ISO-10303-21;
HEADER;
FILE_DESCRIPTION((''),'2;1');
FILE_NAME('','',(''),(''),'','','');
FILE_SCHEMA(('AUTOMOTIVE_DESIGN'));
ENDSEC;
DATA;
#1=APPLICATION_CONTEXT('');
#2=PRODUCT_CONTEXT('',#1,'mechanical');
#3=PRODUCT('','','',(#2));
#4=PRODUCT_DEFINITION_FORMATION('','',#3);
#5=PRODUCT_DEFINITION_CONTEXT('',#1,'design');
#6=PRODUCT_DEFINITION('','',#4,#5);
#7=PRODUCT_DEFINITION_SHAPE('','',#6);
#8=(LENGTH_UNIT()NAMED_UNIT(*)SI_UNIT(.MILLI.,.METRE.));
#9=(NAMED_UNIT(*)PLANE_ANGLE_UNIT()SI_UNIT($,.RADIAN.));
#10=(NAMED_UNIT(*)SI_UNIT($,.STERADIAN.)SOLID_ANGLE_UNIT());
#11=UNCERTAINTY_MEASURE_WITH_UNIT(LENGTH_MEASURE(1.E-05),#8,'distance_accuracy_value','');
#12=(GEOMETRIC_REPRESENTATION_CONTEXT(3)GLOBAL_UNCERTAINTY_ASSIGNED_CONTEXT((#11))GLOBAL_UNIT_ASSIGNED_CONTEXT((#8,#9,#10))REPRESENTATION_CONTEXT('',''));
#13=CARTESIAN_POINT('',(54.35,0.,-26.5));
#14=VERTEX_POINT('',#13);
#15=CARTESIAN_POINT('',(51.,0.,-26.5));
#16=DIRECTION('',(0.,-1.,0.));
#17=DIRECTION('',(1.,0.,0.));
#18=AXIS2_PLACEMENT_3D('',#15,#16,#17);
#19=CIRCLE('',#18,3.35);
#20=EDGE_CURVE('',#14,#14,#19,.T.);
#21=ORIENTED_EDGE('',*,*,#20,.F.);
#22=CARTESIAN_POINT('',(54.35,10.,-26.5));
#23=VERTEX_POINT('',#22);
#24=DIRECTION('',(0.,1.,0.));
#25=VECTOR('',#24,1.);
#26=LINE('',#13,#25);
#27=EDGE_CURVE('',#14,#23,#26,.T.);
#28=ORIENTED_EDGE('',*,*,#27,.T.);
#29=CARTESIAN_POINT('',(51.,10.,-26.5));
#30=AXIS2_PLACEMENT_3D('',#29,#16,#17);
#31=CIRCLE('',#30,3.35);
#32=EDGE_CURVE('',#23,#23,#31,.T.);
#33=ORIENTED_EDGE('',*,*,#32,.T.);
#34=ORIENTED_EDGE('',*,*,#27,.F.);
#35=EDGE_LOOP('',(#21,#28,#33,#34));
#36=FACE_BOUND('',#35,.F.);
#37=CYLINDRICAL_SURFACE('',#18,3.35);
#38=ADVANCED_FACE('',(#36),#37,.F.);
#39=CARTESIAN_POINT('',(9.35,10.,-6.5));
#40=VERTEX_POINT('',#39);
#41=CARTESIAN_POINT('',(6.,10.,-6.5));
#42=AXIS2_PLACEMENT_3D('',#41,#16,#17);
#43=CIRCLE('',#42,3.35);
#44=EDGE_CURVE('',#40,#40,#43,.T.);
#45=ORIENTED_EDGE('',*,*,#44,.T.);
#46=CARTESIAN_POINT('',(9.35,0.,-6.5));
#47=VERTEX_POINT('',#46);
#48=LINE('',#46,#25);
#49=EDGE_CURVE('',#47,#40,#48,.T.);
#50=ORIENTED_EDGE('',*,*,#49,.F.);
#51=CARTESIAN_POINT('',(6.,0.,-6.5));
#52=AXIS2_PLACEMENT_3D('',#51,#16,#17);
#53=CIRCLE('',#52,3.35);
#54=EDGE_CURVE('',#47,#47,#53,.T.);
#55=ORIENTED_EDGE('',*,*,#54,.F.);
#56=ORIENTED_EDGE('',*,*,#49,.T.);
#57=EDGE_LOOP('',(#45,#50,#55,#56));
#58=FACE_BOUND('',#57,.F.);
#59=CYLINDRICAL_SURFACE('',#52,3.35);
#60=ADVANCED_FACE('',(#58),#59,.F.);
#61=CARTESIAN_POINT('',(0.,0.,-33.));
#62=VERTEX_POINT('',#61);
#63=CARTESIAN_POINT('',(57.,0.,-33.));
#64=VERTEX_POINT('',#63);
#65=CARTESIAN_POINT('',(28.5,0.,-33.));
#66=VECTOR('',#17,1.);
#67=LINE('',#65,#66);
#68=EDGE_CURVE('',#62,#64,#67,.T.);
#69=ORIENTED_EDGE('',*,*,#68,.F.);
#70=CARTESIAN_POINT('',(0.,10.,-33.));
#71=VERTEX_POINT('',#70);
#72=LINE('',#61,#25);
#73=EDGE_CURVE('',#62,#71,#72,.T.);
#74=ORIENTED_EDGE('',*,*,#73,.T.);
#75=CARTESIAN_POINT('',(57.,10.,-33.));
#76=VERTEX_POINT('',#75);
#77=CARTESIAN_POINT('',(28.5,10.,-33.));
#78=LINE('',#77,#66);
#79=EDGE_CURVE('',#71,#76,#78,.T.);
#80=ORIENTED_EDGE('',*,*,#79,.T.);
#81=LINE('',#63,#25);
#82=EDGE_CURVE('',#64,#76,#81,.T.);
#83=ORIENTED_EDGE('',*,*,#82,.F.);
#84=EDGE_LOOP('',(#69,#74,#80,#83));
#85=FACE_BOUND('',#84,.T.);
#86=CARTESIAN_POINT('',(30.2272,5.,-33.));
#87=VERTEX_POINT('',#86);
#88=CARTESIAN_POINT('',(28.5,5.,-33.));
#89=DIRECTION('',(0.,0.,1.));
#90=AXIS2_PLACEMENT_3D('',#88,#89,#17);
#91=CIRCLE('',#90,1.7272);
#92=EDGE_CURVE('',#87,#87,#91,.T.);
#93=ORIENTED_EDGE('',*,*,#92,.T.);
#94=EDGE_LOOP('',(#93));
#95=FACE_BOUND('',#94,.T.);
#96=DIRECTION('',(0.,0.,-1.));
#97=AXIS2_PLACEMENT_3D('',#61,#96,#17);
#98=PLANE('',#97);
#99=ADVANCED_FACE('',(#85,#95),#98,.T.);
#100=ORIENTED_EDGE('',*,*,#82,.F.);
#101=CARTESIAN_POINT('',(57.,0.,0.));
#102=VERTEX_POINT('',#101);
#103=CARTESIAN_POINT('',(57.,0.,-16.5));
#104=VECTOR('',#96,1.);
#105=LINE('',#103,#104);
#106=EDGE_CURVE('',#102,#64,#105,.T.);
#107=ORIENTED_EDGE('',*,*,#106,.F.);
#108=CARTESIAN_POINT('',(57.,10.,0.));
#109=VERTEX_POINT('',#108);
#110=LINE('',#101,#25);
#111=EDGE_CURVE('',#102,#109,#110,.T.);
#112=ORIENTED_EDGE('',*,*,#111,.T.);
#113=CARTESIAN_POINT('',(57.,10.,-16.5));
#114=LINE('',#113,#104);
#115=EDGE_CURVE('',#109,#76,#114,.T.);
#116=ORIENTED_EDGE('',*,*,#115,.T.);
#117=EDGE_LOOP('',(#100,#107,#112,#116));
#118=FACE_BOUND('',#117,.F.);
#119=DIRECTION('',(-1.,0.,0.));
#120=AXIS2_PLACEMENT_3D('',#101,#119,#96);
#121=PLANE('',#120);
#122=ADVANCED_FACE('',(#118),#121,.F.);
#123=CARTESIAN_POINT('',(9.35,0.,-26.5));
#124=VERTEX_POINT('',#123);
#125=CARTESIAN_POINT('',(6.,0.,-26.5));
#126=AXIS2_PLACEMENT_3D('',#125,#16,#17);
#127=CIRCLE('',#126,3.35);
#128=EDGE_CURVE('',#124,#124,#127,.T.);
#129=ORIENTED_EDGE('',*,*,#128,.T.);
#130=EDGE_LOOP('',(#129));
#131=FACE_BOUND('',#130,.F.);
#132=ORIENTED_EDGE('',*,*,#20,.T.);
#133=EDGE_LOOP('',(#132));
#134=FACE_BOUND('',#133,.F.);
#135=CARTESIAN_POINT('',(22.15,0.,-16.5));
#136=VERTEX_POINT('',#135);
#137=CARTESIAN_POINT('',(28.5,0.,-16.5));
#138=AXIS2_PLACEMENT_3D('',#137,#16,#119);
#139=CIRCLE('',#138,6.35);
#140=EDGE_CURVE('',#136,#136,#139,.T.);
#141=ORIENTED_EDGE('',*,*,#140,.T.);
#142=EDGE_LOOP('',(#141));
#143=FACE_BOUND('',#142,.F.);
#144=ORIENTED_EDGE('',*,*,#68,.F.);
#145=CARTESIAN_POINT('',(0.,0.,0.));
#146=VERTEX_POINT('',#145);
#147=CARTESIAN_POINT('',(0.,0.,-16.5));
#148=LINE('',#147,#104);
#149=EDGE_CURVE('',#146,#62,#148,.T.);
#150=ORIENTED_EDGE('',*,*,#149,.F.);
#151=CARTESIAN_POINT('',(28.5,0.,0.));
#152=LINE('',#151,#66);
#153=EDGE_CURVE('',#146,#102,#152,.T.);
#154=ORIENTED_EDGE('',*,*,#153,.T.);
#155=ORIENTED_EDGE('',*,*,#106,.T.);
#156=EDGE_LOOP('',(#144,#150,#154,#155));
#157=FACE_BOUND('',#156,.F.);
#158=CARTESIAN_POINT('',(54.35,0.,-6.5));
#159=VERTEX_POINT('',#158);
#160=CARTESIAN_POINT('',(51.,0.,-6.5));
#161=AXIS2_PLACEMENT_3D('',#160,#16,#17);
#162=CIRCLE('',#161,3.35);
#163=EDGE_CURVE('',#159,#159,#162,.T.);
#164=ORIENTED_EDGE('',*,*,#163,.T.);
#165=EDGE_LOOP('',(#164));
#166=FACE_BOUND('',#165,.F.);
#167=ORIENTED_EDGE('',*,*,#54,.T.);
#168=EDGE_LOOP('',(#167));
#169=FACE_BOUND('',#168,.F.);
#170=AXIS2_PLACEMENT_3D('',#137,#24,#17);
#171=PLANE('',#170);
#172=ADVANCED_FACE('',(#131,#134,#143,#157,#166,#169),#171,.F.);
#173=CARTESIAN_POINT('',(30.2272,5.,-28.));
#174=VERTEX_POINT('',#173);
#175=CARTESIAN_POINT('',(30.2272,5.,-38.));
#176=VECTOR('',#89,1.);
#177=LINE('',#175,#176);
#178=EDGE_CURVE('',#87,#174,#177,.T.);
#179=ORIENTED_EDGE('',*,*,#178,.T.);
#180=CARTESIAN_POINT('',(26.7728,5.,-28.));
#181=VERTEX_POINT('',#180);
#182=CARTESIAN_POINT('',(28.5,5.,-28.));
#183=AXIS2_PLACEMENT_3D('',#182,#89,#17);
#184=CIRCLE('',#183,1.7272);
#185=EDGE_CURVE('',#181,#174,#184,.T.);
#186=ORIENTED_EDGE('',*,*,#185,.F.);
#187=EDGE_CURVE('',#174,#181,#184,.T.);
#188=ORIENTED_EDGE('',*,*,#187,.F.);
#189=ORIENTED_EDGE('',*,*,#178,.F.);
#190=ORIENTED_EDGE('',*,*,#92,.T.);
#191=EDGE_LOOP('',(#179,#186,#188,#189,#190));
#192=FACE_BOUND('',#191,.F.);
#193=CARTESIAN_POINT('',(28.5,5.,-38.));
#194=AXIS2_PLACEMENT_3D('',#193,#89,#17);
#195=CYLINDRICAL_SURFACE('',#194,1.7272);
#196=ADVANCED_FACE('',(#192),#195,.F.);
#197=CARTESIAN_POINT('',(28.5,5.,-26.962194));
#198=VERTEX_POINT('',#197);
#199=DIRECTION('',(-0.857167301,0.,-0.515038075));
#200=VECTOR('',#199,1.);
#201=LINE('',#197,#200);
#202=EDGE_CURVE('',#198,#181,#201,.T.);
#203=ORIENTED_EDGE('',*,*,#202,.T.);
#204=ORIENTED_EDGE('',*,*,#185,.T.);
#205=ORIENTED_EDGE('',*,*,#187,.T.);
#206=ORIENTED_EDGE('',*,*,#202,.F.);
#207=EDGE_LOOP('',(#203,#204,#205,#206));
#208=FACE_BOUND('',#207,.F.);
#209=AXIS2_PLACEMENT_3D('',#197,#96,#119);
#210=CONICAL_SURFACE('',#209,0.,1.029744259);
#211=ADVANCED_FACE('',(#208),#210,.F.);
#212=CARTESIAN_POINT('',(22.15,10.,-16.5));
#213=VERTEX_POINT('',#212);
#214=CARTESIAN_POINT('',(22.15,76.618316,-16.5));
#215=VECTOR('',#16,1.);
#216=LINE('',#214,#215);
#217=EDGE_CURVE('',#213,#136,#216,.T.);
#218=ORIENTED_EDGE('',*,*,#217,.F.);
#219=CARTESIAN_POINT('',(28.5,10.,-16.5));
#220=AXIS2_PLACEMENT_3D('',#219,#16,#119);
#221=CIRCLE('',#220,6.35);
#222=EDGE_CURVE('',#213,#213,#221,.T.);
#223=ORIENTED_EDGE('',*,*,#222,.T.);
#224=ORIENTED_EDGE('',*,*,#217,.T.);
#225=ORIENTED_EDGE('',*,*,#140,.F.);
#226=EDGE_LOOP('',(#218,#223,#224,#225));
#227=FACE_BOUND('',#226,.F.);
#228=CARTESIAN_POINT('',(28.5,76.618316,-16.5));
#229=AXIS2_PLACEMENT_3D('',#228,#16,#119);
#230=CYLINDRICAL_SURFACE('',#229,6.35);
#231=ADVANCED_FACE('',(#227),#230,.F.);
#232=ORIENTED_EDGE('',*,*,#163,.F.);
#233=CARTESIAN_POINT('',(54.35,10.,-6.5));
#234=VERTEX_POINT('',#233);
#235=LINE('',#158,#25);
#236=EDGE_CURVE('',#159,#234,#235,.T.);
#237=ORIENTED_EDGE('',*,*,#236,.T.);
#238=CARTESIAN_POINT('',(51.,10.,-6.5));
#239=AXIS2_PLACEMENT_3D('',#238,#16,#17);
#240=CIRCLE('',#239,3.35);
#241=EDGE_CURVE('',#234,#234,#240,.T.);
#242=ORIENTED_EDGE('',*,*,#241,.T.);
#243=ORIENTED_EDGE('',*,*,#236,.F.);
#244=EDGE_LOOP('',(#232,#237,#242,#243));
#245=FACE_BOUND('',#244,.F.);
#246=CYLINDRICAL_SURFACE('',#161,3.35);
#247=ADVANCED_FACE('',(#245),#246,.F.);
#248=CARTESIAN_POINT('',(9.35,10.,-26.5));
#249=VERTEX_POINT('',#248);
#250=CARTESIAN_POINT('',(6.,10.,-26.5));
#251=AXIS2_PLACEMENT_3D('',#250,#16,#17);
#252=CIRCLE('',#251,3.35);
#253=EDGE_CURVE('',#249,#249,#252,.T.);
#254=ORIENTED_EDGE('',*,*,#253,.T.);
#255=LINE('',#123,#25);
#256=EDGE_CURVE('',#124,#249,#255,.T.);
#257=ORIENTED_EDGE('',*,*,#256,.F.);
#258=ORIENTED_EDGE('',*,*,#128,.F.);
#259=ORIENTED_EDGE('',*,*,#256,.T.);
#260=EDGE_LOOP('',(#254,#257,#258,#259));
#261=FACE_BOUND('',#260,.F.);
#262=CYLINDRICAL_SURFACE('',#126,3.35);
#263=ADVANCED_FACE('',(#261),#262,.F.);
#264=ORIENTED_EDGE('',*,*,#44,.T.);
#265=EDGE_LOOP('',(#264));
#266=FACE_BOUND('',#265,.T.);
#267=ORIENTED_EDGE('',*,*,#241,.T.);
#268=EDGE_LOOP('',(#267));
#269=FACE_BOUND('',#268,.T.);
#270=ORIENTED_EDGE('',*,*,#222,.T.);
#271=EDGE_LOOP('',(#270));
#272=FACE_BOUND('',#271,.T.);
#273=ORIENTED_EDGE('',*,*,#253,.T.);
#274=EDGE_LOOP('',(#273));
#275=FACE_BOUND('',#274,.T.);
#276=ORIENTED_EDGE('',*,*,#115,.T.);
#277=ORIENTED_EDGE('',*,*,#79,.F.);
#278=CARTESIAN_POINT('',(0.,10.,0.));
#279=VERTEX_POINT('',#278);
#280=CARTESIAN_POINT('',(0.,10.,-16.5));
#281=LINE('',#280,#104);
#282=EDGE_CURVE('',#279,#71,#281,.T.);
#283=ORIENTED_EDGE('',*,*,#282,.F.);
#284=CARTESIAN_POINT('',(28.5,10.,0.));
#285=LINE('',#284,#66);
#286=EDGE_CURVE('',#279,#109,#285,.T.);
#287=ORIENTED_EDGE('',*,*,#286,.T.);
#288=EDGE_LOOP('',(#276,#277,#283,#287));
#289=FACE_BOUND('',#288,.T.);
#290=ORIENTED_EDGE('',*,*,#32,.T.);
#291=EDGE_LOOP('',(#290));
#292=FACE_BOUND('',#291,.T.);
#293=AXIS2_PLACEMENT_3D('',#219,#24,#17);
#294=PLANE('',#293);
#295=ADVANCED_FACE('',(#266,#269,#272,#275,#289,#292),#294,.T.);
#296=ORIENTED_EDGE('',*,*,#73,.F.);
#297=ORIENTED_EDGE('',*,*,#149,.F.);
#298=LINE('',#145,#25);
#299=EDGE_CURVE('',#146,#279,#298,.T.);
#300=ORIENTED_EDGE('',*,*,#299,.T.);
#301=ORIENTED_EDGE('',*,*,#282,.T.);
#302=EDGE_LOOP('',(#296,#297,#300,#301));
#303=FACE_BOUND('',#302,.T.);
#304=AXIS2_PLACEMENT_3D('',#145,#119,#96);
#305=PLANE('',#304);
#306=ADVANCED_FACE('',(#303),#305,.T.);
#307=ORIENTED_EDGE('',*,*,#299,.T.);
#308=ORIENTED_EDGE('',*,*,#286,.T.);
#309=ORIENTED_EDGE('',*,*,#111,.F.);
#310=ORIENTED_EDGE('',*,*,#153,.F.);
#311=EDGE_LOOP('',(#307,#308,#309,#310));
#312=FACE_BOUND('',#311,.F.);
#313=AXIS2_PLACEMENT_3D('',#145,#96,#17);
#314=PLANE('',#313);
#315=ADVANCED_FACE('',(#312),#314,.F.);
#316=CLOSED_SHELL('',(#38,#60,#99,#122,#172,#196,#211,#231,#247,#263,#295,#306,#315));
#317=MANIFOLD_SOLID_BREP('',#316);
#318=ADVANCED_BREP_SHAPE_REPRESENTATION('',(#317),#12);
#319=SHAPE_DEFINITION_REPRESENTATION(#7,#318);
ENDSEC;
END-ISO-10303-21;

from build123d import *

# Parameters (mm, degrees)
SKETCH1_W                 = 57
SKETCH1_H                 = 33
BOSS_EXTRUDE1_DEPTH       = 10
SKETCH3_R                 = 3.35
CUT_EXTRUDE1_DEPTH        = 11
SKETCH4_R                 = 3.35
CUT_EXTRUDE2_DEPTH        = 11
SKETCH10_R                = 3.35
CUT_EXTRUDE5_DEPTH        = 11
SKETCH12_R                = 3.35
CUT_EXTRUDE6_DEPTH        = 11
F_8_32_TAPPED_HOLE1_D     = 3.4544
F_8_32_TAPPED_HOLE1_DEPTH = 5
F_8_32_TAPPED_HOLE1_TIP   = 1.037806461
F_0_535_40_TAPPED_HOLE1_D = 12.7


with BuildPart() as part:
    # Sketch1 → Boss-Extrude1 (new body)
    with BuildSketch(Plane(origin=(0, 0, 0), x_dir=(1, 0, 0), z_dir=(0, 1, 0))):
        with Locations((28.5, 16.5)):
            Rectangle(SKETCH1_W, SKETCH1_H)
    extrude(amount=BOSS_EXTRUDE1_DEPTH)

    # Sketch3 → Cut-Extrude1 (cut, through all)
    with BuildSketch(Plane.XZ):
        with Locations((6, -6.5)):
            Circle(SKETCH3_R)
    extrude(amount=-CUT_EXTRUDE1_DEPTH, mode=Mode.SUBTRACT)

    # Sketch4 → Cut-Extrude2 (cut, through all)
    with BuildSketch(Plane.XZ):
        with Locations((51, -26.5)):
            Circle(SKETCH4_R)
    extrude(amount=-CUT_EXTRUDE2_DEPTH, mode=Mode.SUBTRACT)

    # Sketch10 → Cut-Extrude5 (cut, through all)
    with BuildSketch(Plane.XZ):
        with Locations((6, -26.5)):
            Circle(SKETCH10_R)
    extrude(amount=-CUT_EXTRUDE5_DEPTH, mode=Mode.SUBTRACT)

    # Sketch12 → Cut-Extrude6 (cut, through all)
    with BuildSketch(Plane.XZ):
        with Locations((51, -6.5)):
            Circle(SKETCH12_R)
    extrude(amount=-CUT_EXTRUDE6_DEPTH, mode=Mode.SUBTRACT)

    # #8-32 Tapped Hole1
    with Locations(Plane(origin=(0, 0, -33), x_dir=(-1, 0, 0), z_dir=(0, 0, -1))):
        with Locations((-28.5, 5)):
            Hole(F_8_32_TAPPED_HOLE1_D / 2, depth=F_8_32_TAPPED_HOLE1_DEPTH)
            with Locations((0, 0, -(F_8_32_TAPPED_HOLE1_DEPTH + F_8_32_TAPPED_HOLE1_TIP / 2))):  # 118° drill point
                Cone(0, F_8_32_TAPPED_HOLE1_D / 2, F_8_32_TAPPED_HOLE1_TIP, mode=Mode.SUBTRACT)

    # 0.535-40 Tapped Hole1 (through all)
    with Locations(Plane(origin=(0, 10, 0), x_dir=(1, 0, 0), z_dir=(0, 1, 0))):
        with Locations((28.5, 16.5)):
            Hole(F_0_535_40_TAPPED_HOLE1_D / 2)


solid = part.part
